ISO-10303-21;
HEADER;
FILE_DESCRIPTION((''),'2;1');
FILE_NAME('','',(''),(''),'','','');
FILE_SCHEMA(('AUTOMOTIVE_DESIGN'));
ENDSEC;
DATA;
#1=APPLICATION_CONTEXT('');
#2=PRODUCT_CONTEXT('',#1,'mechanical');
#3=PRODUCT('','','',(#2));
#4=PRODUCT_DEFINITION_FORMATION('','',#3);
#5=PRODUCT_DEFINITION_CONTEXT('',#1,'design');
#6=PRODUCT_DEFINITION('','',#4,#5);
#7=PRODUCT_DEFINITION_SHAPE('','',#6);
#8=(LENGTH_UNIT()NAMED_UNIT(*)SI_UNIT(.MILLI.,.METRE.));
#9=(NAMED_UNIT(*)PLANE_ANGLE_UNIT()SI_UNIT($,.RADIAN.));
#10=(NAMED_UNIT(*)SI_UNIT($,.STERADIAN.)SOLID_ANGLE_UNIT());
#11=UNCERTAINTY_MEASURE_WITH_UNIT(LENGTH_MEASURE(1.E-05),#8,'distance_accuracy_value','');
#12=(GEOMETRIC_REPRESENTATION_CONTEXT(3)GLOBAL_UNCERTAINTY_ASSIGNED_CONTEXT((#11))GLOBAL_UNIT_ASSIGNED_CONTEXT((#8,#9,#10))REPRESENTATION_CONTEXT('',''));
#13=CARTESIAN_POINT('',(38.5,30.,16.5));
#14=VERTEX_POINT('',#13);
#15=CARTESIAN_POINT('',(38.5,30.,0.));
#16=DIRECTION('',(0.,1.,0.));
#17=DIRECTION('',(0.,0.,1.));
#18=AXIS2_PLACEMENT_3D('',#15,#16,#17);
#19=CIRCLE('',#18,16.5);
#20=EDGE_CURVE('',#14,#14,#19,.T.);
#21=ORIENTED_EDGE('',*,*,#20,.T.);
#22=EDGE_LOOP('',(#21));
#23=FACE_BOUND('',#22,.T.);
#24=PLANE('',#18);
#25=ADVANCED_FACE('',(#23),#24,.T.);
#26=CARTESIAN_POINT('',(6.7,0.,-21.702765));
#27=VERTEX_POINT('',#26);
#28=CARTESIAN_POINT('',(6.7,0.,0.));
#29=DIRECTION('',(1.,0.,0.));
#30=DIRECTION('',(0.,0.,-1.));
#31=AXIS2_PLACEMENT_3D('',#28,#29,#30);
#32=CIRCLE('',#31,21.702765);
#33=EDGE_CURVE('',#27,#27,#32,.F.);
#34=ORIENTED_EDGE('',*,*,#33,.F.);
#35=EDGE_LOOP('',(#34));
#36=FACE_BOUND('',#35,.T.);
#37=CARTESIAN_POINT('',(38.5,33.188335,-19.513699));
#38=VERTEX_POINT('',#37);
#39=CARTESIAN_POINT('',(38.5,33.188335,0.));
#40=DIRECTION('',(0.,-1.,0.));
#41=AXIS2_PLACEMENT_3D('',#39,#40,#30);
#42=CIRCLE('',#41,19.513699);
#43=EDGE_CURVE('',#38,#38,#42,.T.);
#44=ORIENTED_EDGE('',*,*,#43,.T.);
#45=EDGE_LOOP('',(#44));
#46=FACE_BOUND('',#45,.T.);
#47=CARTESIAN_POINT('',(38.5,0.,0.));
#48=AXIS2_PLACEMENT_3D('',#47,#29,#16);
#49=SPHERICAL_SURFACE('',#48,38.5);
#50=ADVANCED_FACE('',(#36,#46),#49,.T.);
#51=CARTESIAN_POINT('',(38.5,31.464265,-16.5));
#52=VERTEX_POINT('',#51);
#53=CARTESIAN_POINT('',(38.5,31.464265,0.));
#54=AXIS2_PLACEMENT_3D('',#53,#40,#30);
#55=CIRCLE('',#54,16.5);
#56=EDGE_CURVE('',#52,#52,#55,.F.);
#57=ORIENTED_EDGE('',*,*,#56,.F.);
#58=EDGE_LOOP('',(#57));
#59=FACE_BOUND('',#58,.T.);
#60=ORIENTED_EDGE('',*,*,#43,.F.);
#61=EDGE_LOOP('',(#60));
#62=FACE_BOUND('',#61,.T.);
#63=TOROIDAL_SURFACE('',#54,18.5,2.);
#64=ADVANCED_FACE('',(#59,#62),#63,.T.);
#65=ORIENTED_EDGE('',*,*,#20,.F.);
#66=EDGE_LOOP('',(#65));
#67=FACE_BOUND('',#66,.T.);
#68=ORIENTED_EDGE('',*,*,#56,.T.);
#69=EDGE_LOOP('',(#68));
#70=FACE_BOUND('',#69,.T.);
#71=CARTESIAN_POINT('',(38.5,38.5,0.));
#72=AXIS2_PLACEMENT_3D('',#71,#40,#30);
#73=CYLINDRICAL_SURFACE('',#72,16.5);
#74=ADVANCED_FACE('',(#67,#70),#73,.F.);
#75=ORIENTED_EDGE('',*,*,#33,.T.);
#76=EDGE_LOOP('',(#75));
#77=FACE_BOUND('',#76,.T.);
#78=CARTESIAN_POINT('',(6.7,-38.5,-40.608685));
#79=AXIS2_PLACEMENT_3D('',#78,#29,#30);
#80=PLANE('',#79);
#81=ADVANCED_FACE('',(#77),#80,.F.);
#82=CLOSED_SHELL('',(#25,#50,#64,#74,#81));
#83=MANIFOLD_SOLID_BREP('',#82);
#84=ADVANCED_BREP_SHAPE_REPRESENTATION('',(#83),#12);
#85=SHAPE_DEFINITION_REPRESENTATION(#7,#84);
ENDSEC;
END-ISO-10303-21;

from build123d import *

# Parameters (mm, degrees)
KES_EKSTR_ZYON1_DEPTH      = 95.305355097
KES_EKSTR_ZYON1_DEPTH_BACK = 95.305355097
IZIM3_W                    = 6.7
IZIM3_H                    = 83.072589547
KES_EKSTR_ZYON2_START      = 30
IZIM4_R                    = 16.5
KES_EKSTR_ZYON2_DEPTH      = 65.305355097
RADYUS1_R                  = 2


with BuildPart() as part:
    # Çizim2 → Döndür1 (revolve)
    with BuildSketch(Plane.XY):
        with BuildLine():
            Line((77, 0), (0, 0))
            ThreePointArc((0, 0), (38.5, 38.5), (77, 0))
        make_face()
    revolve(axis=Axis((77, 0, 0), (-1, 0, 0)))

    # Çizim3 → Kes-Ekstrüzyon1 (cut, two sides: drawn at the far end of the back side and taken through both)
    with BuildSketch(Plane(origin=(0, 0, 0), x_dir=(1, 0, 0), z_dir=(0, 1, 0)).offset(-KES_EKSTR_ZYON1_DEPTH_BACK)):
        with Locations((3.35, -0.927609561)):
            Rectangle(IZIM3_W, IZIM3_H)
    extrude(amount=KES_EKSTR_ZYON1_DEPTH + KES_EKSTR_ZYON1_DEPTH_BACK, mode=Mode.SUBTRACT)

    # Çizim4 → Kes-Ekstrüzyon2 (cut, through all)
    with BuildSketch(Plane(origin=(0, 0, 0), x_dir=(1, 0, 0), z_dir=(0, 1, 0)).offset(KES_EKSTR_ZYON2_START)):
        with Locations(Location((38.5, 0, 0), (0, 0, 90))):
            Circle(IZIM4_R)
    extrude(amount=KES_EKSTR_ZYON2_DEPTH, mode=Mode.SUBTRACT)

    # Radyus1
    radyus1_edges = [part.edges().sort_by_distance(p)[0] for p in [
        (26.832738111, 34.785054262, -11.667261889),
    ]]
    fillet(radyus1_edges, radius=RADYUS1_R)


solid = part.part
